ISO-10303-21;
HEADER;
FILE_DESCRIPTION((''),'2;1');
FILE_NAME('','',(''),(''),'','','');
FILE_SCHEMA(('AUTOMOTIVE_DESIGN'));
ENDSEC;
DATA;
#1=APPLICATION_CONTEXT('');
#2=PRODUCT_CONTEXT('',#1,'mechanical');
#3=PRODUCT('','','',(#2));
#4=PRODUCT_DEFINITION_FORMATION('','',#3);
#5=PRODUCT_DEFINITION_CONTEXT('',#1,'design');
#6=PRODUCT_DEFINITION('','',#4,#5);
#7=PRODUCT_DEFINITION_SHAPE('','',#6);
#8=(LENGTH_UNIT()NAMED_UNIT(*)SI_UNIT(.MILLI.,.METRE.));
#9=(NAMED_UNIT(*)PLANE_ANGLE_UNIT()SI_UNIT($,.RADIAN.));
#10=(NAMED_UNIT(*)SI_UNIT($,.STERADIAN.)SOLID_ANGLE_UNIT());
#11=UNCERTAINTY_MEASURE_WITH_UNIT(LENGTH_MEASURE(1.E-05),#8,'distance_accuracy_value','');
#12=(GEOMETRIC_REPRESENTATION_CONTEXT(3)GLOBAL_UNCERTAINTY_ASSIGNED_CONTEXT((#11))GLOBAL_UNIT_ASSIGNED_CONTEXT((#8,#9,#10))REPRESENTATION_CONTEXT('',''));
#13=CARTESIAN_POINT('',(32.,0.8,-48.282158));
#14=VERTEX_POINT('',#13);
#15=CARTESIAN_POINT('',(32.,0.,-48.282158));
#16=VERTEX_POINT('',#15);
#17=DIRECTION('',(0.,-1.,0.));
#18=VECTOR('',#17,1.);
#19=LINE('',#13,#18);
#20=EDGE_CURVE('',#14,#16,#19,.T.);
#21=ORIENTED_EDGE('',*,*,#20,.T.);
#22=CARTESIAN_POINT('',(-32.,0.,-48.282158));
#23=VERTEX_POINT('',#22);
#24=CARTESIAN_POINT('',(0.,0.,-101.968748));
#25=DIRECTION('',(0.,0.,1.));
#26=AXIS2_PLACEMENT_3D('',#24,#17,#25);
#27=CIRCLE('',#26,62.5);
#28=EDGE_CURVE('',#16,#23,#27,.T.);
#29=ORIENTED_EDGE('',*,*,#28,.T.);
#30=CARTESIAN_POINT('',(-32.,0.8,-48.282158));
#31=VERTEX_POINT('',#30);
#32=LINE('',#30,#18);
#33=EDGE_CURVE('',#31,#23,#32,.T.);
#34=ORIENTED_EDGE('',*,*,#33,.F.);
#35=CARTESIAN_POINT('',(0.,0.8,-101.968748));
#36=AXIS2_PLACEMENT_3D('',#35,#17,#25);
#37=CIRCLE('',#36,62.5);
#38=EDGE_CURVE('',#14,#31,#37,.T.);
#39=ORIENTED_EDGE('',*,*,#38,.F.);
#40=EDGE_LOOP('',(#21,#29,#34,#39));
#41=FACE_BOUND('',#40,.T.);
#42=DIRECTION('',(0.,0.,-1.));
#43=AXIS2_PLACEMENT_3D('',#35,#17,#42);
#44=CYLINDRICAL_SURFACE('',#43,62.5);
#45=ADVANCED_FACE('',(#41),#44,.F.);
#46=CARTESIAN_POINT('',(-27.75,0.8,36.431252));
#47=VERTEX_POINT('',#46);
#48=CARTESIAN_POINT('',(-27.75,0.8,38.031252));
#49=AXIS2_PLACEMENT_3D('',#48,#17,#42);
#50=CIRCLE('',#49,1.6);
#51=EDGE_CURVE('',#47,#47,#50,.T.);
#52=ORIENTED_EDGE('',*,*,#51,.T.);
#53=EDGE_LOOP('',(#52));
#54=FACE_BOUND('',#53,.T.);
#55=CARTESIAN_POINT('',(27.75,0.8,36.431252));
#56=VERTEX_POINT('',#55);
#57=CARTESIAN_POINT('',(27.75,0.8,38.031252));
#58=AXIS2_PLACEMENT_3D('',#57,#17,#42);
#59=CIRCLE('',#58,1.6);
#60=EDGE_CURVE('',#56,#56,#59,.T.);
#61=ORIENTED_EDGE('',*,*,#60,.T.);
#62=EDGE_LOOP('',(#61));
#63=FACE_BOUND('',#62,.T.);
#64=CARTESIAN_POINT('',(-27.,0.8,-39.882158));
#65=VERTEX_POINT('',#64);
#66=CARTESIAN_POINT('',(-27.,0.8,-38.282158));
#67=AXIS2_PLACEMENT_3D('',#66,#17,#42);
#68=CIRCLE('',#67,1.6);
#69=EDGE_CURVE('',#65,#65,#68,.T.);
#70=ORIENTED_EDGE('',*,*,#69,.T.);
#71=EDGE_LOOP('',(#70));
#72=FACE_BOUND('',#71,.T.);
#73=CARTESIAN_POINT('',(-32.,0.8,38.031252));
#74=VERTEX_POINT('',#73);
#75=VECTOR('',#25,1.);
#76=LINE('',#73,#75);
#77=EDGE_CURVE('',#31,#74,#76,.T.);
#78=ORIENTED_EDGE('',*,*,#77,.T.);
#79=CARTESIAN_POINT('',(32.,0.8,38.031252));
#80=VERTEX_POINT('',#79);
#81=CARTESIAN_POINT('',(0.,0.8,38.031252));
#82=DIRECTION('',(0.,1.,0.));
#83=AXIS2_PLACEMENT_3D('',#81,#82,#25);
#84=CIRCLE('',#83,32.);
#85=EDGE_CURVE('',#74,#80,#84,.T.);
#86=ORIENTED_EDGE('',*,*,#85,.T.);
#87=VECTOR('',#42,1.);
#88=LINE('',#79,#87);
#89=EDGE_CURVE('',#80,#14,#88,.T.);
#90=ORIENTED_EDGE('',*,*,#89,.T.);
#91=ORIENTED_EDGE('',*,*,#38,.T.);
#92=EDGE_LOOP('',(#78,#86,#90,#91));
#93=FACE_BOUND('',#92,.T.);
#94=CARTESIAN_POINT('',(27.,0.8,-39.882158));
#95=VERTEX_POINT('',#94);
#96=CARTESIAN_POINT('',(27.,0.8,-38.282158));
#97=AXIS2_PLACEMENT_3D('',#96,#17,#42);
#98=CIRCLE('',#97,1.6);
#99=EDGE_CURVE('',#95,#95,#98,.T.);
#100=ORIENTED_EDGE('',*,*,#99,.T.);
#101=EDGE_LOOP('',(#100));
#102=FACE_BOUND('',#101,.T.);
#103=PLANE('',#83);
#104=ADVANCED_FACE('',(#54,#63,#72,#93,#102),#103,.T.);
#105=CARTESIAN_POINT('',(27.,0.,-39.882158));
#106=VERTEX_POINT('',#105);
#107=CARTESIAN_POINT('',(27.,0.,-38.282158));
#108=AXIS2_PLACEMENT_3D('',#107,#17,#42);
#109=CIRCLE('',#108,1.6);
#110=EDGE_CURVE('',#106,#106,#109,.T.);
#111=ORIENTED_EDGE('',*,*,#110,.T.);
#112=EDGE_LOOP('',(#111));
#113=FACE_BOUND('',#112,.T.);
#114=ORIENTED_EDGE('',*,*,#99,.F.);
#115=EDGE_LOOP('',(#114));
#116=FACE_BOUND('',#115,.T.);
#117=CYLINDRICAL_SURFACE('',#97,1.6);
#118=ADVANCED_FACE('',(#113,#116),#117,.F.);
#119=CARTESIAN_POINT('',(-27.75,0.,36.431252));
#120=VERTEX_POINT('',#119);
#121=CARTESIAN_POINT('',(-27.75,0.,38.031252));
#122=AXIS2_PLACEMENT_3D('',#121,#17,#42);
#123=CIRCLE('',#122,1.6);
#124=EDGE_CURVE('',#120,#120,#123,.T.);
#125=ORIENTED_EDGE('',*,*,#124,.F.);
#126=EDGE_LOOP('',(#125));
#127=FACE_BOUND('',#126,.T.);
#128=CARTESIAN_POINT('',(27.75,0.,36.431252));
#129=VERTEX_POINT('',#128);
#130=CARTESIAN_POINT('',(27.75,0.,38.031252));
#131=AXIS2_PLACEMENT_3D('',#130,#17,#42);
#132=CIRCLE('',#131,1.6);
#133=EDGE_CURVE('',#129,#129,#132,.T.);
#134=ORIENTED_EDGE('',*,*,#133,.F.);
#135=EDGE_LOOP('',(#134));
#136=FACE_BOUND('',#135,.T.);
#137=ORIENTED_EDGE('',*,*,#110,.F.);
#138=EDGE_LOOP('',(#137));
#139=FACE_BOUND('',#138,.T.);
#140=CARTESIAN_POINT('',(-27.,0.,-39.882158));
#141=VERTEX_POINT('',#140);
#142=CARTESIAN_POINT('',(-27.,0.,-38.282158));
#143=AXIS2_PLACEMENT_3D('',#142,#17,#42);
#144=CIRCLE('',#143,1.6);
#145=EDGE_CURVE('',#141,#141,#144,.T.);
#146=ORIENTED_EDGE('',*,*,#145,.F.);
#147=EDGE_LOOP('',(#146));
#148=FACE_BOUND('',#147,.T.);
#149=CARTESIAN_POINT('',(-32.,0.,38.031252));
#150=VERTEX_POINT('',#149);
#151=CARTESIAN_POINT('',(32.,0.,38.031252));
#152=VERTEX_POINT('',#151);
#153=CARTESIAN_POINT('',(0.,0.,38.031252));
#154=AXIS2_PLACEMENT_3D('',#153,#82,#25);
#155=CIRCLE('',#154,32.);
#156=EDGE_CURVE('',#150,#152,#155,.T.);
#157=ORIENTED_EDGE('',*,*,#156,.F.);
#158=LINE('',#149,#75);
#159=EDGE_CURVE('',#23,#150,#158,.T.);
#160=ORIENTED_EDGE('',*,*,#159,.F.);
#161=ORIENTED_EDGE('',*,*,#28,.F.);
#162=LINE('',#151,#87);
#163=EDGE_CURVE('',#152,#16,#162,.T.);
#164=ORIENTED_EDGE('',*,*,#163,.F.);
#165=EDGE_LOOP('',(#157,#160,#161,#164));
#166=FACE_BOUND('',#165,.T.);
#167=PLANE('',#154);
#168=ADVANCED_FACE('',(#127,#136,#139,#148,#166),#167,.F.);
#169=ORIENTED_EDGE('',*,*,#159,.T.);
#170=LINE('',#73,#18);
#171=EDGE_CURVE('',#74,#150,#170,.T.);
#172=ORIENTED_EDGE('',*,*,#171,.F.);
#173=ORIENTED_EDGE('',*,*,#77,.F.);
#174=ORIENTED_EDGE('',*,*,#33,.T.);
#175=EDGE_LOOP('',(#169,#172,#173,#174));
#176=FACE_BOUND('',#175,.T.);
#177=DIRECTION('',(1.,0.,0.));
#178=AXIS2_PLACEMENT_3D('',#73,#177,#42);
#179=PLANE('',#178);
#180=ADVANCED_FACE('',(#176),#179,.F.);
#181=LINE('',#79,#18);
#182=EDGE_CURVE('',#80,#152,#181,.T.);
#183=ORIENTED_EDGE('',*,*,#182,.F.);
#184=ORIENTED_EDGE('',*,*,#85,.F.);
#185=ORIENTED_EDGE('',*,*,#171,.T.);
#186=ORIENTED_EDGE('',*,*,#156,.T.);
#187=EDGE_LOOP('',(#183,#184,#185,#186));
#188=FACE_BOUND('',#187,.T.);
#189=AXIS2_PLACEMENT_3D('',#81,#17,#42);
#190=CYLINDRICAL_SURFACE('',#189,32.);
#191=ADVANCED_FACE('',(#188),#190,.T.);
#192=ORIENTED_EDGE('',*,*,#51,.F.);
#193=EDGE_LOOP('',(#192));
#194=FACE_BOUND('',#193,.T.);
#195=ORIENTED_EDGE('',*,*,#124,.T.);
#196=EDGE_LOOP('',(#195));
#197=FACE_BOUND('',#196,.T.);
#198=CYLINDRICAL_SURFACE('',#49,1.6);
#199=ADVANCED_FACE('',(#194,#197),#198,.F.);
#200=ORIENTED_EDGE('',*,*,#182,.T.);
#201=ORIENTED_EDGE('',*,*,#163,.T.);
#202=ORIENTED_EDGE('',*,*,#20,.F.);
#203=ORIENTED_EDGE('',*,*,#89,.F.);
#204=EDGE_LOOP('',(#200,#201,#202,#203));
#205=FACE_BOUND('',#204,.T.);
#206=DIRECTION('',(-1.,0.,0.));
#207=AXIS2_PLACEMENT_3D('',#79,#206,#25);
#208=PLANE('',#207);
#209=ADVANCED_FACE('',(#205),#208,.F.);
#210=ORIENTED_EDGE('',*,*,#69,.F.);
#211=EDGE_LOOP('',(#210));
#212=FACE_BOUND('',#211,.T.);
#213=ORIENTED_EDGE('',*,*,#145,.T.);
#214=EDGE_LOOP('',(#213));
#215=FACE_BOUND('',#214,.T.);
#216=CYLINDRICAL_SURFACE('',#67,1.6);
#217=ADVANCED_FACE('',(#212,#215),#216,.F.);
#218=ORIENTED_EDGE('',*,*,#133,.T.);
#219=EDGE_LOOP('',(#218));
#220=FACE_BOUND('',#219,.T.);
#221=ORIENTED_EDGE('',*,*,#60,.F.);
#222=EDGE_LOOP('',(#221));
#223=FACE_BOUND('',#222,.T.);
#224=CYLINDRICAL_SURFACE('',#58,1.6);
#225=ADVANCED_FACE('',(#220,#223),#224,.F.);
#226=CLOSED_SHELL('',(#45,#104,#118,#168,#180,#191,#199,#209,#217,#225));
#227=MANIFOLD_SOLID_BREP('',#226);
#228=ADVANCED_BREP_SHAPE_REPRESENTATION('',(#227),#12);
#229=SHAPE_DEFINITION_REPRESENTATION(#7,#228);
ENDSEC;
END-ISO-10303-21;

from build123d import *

# Parameters (mm, degrees)
BOSS_EXTRUDE1_DEPTH = 0.8
SKETCH2_R           = 1.6
CUT_EXTRUDE1_DEPTH  = 78.000105196


with BuildPart() as part:
    # Sketch1 → Boss-Extrude1 (new body)
    with BuildSketch(Plane(origin=(0, 0, 0), x_dir=(1, 0, 0), z_dir=(0, 1, 0))):
        with BuildLine():
            Line((-32, -38.031251597), (-32, 48.282157899))
            ThreePointArc((-32, 48.282157899), (0, 39.468748403), (32, 48.282157899))
            Line((32, 48.282157899), (32, -38.031251597))
            ThreePointArc((32, -38.031251597), (0, -70.031251597), (-32, -38.031251597))
        make_face()
    extrude(amount=BOSS_EXTRUDE1_DEPTH)

    # Sketch2 → Cut-Extrude1 (cut, through all)
    with BuildSketch(Plane.XZ):
        with Locations(Location((27.75, 38.031251597, 0), (0, 0, 270))):
            Circle(SKETCH2_R)
        with Locations(Location((-27.75, 38.031251597, 0), (0, 0, 270))):
            Circle(SKETCH2_R)
        with Locations(Location((27, -38.282157899, 0), (0, 0, 270))):
            Circle(SKETCH2_R)
        with Locations(Location((-27, -38.282157899, 0), (0, 0, 270))):
            Circle(SKETCH2_R)
    extrude(amount=-CUT_EXTRUDE1_DEPTH, mode=Mode.SUBTRACT)


solid = part.part
